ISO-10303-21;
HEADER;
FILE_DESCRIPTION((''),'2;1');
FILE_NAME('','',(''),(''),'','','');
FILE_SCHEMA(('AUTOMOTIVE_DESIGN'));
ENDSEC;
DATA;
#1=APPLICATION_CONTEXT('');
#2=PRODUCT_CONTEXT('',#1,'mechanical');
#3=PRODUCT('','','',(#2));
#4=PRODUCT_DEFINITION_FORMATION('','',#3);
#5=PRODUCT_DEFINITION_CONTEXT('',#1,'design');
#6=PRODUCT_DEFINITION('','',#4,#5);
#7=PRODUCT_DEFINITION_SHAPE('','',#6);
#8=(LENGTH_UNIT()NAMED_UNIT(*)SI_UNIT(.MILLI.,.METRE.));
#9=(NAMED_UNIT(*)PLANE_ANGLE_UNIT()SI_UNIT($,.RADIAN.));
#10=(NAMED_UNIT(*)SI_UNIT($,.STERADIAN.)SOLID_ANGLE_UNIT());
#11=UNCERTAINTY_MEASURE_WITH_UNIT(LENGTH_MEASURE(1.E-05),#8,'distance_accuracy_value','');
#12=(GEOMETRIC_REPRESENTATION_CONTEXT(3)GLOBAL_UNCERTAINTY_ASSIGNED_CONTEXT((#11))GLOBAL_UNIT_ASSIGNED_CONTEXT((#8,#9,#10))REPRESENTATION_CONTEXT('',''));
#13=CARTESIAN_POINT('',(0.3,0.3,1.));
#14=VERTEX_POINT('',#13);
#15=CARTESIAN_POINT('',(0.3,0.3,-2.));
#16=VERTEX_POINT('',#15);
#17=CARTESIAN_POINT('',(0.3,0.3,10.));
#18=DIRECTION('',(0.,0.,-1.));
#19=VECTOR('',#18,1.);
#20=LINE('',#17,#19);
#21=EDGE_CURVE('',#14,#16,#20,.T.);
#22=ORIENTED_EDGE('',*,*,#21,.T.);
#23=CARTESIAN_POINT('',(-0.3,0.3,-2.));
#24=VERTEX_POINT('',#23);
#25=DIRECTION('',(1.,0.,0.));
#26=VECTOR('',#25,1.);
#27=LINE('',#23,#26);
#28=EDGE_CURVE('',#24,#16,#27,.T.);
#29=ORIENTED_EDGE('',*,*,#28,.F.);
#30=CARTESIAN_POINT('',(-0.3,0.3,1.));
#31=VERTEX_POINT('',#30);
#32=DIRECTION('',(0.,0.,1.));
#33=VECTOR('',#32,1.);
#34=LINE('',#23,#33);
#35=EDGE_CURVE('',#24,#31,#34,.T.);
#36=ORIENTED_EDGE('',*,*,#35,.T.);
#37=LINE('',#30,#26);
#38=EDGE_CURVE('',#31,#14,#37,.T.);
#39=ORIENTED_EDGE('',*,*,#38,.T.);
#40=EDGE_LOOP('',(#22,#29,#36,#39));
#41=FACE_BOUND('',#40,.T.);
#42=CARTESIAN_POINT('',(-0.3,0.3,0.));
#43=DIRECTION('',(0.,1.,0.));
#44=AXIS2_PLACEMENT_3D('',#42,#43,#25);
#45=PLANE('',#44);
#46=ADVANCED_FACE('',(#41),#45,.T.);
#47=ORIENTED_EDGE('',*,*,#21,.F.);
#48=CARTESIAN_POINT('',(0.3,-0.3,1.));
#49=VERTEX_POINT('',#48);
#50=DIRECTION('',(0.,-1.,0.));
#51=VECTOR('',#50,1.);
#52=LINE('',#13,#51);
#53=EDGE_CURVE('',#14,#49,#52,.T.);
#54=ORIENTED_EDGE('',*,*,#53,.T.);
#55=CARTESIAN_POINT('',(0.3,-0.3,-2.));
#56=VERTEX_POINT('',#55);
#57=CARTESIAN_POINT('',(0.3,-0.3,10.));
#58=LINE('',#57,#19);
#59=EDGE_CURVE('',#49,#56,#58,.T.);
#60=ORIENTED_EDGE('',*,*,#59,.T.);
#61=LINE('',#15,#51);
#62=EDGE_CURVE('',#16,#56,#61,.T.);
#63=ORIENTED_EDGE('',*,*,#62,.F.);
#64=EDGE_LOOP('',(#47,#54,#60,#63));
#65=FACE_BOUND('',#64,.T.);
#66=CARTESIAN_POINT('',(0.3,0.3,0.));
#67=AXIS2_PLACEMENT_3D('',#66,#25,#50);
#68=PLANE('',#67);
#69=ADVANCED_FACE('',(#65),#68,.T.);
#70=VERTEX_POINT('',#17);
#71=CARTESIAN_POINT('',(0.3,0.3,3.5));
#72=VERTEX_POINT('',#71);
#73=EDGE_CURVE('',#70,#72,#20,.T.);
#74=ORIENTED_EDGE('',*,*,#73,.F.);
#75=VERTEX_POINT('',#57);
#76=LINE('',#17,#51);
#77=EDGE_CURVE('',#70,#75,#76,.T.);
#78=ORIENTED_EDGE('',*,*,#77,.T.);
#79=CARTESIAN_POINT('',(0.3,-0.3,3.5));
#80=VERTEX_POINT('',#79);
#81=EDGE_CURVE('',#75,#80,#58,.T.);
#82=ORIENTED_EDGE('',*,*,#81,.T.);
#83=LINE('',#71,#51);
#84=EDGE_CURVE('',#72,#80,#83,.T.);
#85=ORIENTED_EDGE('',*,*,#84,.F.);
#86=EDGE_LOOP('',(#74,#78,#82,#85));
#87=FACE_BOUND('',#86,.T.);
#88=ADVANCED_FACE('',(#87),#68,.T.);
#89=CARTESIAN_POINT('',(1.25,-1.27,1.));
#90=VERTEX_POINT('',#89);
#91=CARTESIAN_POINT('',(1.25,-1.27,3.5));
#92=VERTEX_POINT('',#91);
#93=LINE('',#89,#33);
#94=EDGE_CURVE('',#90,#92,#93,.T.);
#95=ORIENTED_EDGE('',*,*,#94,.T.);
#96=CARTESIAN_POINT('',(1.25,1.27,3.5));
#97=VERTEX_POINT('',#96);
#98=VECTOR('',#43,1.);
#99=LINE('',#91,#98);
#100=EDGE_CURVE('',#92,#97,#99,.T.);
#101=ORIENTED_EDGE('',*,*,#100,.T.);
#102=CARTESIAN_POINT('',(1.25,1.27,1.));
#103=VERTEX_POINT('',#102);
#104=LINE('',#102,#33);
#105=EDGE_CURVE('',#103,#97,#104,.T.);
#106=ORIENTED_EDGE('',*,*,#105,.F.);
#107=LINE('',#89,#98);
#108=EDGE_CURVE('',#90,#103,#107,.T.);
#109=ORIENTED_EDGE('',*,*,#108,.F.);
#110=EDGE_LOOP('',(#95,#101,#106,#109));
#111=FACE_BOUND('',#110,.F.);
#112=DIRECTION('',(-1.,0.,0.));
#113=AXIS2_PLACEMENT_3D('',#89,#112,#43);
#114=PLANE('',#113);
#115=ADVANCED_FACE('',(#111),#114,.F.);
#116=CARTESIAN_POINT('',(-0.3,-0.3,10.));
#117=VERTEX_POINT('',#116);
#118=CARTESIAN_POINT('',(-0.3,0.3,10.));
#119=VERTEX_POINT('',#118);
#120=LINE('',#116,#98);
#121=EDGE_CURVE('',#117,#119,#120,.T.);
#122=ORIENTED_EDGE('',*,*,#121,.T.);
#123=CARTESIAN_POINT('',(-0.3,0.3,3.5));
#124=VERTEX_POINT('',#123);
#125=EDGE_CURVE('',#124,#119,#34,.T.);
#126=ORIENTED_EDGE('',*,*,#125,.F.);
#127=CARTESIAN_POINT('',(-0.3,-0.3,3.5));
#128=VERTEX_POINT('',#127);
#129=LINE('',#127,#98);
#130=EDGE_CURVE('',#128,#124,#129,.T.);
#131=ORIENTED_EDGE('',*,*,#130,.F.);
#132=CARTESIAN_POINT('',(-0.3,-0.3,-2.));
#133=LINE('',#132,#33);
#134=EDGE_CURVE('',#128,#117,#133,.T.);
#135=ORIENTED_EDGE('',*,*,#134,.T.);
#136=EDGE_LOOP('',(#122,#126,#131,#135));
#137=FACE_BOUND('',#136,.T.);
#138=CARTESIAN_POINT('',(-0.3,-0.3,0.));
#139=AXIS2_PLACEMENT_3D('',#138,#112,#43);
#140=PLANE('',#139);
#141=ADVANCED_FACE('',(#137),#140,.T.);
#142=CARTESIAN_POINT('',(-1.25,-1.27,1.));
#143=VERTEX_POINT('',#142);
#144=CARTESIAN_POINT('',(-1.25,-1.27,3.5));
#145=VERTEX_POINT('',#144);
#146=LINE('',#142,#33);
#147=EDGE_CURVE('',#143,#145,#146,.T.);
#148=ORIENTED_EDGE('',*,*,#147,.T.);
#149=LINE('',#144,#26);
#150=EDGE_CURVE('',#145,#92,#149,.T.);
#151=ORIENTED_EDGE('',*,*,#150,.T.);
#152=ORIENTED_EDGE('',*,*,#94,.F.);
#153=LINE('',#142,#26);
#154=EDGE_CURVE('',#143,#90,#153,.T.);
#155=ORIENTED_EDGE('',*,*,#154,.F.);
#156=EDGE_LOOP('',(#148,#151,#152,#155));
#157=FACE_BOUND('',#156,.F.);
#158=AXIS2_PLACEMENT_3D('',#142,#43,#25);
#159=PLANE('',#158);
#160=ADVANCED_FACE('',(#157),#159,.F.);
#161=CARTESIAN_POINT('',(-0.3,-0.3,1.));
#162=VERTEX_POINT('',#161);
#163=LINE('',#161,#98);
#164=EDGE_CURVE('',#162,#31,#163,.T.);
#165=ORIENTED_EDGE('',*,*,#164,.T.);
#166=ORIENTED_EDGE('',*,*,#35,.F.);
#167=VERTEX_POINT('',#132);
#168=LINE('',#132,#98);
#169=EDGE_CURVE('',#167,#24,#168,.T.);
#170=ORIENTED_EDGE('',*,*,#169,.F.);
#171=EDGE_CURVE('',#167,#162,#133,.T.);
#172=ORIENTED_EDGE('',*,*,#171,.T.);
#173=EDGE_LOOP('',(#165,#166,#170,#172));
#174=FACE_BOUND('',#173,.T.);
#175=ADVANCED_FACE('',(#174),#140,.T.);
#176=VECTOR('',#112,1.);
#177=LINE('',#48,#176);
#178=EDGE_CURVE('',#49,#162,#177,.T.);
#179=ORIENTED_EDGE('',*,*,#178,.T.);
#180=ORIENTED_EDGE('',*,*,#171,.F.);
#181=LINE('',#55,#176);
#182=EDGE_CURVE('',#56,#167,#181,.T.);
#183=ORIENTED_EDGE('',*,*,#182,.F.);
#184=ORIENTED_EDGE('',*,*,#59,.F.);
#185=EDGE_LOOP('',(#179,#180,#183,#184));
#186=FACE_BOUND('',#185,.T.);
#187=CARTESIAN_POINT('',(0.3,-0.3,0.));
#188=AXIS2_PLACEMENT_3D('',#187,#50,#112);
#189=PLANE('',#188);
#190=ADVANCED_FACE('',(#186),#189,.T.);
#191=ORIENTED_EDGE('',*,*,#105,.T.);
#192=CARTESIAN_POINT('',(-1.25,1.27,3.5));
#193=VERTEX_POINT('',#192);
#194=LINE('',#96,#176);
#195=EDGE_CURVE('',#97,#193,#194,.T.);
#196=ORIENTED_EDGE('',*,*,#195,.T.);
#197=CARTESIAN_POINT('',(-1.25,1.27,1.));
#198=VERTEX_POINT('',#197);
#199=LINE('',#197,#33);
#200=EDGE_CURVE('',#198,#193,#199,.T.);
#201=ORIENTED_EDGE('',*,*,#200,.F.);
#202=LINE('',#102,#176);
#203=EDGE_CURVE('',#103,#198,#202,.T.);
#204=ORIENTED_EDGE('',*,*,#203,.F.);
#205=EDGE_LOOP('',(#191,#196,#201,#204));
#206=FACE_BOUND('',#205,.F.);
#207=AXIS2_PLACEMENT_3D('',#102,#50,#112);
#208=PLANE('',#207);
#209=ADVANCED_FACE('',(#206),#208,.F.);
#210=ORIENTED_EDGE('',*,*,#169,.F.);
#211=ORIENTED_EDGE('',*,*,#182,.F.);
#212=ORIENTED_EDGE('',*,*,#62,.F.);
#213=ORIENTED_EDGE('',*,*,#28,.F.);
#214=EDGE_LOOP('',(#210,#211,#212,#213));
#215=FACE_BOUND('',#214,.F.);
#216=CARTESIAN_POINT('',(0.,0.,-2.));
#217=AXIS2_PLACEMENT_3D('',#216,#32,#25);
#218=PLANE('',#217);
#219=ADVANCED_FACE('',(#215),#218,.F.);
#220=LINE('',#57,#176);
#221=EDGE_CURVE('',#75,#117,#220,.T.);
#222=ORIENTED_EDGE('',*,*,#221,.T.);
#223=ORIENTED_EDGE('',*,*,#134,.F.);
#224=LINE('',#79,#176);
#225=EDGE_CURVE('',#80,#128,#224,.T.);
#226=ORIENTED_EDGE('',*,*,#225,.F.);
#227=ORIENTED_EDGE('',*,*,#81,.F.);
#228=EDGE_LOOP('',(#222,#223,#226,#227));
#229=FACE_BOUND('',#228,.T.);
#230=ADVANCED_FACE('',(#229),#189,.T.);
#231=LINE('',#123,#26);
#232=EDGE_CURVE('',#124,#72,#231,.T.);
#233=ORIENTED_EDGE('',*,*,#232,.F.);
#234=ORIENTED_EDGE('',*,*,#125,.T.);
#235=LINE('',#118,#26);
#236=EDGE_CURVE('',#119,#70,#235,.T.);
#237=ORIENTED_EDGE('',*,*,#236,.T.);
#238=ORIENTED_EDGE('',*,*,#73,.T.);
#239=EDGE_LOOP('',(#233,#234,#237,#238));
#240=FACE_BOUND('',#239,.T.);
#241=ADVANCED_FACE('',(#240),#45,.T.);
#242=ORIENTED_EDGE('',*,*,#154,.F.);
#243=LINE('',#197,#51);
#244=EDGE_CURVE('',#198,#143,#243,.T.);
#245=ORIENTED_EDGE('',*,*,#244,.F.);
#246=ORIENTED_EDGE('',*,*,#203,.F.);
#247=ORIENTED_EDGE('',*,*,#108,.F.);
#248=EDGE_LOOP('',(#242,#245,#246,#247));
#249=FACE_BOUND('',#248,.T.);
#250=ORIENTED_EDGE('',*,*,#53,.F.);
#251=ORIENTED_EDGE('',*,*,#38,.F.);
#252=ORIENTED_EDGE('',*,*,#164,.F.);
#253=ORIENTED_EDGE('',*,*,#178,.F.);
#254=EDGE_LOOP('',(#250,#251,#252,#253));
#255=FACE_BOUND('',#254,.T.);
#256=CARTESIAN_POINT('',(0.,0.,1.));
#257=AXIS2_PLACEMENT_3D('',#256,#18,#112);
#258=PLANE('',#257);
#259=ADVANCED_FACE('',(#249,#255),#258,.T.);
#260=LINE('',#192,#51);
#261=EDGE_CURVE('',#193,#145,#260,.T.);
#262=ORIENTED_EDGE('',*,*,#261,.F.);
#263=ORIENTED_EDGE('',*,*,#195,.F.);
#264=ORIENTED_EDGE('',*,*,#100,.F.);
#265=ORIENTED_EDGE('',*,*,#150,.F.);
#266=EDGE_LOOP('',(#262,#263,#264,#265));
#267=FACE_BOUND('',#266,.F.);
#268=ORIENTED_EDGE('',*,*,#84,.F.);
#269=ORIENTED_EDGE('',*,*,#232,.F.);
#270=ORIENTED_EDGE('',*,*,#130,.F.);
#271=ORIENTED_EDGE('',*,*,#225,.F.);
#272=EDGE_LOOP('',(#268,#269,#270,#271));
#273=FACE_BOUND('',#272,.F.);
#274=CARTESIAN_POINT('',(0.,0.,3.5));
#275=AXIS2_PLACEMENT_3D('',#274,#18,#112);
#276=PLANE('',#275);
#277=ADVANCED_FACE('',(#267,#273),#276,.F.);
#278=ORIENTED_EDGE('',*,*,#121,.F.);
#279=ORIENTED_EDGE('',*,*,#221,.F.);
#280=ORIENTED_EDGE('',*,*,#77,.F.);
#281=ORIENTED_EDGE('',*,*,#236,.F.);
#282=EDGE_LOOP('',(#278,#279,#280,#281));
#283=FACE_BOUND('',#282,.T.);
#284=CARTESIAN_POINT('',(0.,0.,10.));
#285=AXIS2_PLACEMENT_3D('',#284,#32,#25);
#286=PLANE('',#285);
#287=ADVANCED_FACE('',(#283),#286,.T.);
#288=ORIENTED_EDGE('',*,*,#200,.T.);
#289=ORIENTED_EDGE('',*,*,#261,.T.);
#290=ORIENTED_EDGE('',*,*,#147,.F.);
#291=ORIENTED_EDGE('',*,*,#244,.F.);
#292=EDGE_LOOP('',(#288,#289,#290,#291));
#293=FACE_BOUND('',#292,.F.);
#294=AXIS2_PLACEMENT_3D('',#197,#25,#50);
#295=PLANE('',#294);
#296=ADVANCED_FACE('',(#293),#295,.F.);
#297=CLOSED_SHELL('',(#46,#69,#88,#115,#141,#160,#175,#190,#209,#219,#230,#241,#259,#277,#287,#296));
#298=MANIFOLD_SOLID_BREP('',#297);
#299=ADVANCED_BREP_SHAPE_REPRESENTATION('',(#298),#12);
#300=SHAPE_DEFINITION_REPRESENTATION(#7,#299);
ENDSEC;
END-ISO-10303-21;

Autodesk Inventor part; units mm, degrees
ref_plane "YZ Plane" through (0, 0, 0) normal (1, 0, 0) x (0, 1, 0)
ref_plane "XZ Plane" through (0, 0, 0) normal (0, 1, 0) x (-1, 0, 0)
ref_plane "XY Plane" through (0, 0, 0) normal (0, 0, 1) x (1, 0, 0)
sketch "Sketch2" plane through (0, 0, 0) normal (0, 0, 1) x (1, 0, 0)
  line L0 (-0.3, 0.3) -> (0.3, 0.3)
  line L1 (0.3, 0.3) -> (0.3, -0.3)
  line L2 (0.3, -0.3) -> (-0.3, -0.3)
  line L3 (-0.3, -0.3) -> (-0.3, 0.3)
  line L4 (-0.3, 0.3) -> (0.3, -0.3) construction
  line L5 (0.3, 0.3) -> (-0.3, -0.3) construction
  point P0 (0, 0)
  dimension "d2" = 0.6
  dimension "d3" = 0.6
extrude "Extrusion1" add sketch "Sketch2" along normal blind 10 and the other way blind 2
sketch "Sketch3" plane through (0, 0, -2) normal (0, 0, -1) x (-1, 0, 0)
  line L0 (-0.3, -0.3) -> (0.3, -0.3) projected
  line L1 (0.3, -0.3) -> (0.3, 0.3) projected
  line L2 (0.3, 0.3) -> (-0.3, 0.3) projected
  line L3 (-0.3, 0.3) -> (-0.3, -0.3) projected
  line L4 (-1.25, 1.27) -> (1.25, 1.27)
  line L5 (1.25, 1.27) -> (1.25, -1.27)
  line L6 (1.25, -1.27) -> (-1.25, -1.27)
  line L7 (-1.25, -1.27) -> (-1.25, 1.27)
  line L8 (-1.25, 1.27) -> (1.25, -1.27) construction
  line L9 (1.25, 1.27) -> (-1.25, -1.27) construction
  point P0 (0, 0)
  dimension "d8" = 2.54
  dimension "d9" = 2.5
ref_plane "Work Plane1" through (0, 0, 1) normal (0, 0, -1) x (-1, 0, 0)
extrude "Extrusion2" add sketch "Sketch3" against normal blind 2.5 from surface at -3
properties part number "Header D1"
